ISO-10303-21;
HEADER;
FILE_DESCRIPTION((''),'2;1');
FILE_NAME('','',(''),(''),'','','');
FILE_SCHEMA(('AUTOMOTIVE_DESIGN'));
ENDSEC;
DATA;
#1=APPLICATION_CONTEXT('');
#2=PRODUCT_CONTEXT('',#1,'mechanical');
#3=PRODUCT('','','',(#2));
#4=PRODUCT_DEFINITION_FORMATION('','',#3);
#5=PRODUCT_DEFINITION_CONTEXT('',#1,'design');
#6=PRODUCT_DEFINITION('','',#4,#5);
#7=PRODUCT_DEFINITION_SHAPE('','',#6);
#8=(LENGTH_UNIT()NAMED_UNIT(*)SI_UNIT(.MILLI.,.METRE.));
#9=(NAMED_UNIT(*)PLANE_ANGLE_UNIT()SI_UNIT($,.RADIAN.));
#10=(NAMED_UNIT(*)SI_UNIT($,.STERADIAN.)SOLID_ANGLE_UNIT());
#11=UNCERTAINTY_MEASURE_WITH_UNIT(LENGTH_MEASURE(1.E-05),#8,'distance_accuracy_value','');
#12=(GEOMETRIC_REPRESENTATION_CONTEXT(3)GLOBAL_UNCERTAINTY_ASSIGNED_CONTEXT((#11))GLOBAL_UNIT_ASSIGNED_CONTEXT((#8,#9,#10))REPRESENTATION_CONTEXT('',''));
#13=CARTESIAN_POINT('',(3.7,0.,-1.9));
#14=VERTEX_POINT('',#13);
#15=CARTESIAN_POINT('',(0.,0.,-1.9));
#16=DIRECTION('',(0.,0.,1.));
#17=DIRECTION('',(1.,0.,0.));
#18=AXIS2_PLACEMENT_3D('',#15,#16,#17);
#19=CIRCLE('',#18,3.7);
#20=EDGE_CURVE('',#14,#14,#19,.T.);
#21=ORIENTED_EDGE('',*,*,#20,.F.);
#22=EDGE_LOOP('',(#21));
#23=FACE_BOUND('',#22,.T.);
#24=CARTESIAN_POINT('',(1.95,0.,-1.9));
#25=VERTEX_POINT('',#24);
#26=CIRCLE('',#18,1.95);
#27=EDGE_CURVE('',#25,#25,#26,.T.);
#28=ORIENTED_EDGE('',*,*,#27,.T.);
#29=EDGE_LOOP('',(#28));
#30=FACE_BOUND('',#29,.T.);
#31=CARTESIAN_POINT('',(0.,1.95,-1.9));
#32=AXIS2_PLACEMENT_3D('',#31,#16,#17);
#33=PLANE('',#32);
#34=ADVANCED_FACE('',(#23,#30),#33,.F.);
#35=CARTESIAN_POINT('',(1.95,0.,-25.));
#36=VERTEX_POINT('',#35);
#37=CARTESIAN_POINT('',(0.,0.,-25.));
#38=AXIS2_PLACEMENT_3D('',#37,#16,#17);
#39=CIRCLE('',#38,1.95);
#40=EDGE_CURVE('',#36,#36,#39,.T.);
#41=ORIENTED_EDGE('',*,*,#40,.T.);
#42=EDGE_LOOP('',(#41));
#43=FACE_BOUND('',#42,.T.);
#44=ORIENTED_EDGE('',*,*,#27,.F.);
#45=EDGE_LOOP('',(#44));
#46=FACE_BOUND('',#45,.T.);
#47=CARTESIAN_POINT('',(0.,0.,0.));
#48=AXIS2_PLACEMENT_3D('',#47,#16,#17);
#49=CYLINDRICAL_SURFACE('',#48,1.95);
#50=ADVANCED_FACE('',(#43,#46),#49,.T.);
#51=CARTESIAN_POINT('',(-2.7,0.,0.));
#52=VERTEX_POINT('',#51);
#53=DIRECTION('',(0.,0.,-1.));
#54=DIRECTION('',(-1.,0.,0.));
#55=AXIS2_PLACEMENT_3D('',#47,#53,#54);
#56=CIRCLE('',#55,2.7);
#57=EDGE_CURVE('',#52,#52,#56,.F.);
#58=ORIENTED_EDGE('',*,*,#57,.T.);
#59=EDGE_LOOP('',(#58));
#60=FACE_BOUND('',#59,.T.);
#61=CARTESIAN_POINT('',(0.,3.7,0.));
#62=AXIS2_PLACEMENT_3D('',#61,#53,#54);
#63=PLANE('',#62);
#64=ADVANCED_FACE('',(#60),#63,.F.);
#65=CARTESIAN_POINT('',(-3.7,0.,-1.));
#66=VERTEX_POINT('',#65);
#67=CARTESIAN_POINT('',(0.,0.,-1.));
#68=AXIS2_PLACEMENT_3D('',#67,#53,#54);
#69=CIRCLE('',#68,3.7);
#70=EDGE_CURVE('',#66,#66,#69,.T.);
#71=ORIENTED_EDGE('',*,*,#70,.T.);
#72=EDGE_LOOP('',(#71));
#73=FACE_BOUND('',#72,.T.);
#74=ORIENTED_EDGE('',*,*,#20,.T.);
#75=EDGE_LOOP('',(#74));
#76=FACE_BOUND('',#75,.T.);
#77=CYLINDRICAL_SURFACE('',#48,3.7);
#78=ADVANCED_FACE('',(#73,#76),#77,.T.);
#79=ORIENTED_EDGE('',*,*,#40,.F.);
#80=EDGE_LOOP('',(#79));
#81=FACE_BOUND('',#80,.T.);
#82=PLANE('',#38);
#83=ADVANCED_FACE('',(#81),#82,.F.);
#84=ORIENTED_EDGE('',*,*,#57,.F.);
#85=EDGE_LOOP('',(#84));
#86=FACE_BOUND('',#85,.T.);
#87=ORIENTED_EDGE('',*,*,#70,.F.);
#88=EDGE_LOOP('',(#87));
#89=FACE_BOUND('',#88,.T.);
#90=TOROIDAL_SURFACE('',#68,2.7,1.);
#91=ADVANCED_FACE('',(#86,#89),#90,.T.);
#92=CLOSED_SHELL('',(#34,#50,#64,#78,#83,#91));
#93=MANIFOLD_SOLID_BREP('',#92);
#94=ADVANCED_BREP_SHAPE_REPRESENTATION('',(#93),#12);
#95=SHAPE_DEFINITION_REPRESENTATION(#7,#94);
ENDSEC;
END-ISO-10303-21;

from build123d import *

# Parameters (mm, degrees)
FILLET1_R = 1


with BuildPart() as part:
    # Sketch1 → Revolve1 (revolve)
    with BuildSketch(Plane(origin=(0, 0, 0), x_dir=(0, 0, -1), z_dir=(1, 0, 0)), mode=Mode.PRIVATE) as revolve1_sk:
        Polygon((1.9, 1.95), (1.9, 3.7), (0, 3.7), (0, 0), (25, 0), (25, 1.95), align=None)
    revolve(revolve1_sk.sketch.rotate(Axis((0, 0, 0), (0, 0, -1)), 90), axis=Axis((0, 0, 0), (0, 0, -1)))

    # Fillet1
    fillet1_edges = [part.edges().sort_by_distance(p)[0] for p in [
        (-3.7, 0, 0),
    ]]
    fillet(fillet1_edges, radius=FILLET1_R)


solid = part.part
